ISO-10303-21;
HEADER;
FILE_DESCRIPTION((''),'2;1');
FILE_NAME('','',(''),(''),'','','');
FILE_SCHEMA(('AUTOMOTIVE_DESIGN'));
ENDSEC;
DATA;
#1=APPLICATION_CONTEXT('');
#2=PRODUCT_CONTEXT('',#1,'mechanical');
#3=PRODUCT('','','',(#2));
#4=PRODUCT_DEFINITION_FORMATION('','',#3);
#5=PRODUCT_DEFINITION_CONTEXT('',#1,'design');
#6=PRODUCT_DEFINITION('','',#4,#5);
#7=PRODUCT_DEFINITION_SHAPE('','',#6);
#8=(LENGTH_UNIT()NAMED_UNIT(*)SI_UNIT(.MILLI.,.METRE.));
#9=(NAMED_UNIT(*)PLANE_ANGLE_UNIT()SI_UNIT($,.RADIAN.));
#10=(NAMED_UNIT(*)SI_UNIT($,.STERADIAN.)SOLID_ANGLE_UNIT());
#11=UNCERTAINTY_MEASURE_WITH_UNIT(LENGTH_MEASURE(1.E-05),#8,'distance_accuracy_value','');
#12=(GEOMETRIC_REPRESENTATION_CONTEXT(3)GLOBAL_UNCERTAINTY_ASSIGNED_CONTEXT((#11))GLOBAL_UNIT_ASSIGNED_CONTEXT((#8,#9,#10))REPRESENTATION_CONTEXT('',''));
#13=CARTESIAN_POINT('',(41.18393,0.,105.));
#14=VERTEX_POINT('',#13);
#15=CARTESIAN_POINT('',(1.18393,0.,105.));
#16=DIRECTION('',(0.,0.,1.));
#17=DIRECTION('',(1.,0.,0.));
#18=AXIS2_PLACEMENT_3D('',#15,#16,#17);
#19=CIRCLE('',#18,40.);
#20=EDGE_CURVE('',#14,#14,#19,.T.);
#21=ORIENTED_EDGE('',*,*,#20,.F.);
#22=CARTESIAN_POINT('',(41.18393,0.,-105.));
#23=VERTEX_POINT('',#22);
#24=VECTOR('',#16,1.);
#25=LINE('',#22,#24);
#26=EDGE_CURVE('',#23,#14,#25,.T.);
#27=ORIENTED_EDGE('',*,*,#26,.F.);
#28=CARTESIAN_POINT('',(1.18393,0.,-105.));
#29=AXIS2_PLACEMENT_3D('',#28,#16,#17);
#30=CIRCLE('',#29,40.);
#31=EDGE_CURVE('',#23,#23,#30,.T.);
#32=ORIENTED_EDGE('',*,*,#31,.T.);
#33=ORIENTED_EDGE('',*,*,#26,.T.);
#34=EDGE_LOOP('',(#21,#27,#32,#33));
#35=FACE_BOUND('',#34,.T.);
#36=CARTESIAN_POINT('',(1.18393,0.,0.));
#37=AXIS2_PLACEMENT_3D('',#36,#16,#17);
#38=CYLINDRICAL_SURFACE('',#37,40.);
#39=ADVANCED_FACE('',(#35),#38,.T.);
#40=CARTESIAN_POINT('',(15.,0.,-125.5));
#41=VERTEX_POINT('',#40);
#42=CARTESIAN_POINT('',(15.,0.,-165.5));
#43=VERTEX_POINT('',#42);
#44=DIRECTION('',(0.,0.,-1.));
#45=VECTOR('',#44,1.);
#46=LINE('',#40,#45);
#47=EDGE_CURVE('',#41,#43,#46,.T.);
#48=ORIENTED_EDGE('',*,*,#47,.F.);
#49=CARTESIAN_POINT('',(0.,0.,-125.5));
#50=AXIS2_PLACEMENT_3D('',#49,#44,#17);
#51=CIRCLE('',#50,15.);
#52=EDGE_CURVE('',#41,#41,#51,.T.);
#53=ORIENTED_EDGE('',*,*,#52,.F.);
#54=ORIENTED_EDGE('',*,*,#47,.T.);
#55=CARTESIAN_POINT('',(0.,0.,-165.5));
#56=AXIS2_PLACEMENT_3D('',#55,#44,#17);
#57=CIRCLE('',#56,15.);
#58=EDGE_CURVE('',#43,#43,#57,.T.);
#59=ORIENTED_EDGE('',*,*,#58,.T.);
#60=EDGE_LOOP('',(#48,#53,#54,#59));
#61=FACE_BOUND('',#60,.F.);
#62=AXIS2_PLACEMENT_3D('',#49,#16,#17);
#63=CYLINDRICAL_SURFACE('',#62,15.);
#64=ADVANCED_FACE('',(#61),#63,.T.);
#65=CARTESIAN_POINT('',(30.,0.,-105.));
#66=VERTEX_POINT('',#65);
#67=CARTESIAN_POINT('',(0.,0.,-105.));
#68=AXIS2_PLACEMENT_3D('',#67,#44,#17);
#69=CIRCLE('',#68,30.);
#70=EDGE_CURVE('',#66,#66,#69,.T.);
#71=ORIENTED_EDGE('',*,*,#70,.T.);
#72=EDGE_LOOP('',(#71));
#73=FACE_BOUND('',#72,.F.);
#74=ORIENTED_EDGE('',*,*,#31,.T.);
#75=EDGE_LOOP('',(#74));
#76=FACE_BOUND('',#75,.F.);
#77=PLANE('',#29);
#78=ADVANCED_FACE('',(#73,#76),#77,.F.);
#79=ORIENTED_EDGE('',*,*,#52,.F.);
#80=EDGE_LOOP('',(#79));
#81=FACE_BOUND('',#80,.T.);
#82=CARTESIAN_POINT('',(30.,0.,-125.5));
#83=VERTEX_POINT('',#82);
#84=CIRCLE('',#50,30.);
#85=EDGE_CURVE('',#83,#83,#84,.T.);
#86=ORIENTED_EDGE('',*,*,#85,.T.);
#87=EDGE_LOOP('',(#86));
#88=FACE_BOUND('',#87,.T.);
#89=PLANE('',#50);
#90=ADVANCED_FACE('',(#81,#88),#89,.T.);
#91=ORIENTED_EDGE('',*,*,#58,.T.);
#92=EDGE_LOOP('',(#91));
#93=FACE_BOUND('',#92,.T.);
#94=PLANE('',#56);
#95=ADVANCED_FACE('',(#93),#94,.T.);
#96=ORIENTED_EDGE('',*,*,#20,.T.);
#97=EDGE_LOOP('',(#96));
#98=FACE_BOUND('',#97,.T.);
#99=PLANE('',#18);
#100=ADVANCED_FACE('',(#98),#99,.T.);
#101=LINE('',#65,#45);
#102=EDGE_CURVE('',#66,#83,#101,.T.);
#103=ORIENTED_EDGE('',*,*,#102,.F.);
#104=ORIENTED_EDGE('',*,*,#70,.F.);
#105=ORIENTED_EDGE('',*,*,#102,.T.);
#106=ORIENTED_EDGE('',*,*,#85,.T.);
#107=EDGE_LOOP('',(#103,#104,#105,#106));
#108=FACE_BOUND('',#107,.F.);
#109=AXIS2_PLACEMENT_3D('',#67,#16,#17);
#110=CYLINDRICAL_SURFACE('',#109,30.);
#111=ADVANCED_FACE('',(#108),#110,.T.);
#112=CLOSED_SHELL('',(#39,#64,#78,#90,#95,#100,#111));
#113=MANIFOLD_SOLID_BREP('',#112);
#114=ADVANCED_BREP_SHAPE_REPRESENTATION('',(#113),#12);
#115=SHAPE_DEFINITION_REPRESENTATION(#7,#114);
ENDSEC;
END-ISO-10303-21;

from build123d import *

# Parameters (mm, degrees)
F0_R     = 40
F1_DEPTH = 105
F2_R     = 30
F3_DEPTH = 20.5
F4_R     = 15
F5_DEPTH = 40


with BuildPart() as f1:
    # F0 (on Top) → F1 (new body, symmetric)
    with BuildSketch(Plane.XY):
        with Locations((1.18393, 0)):
            Circle(F0_R)
    extrude(amount=F1_DEPTH, both=True)

    # F2 (on face) → F3 (join)
    with BuildSketch(Plane(origin=(0, 0, -105), x_dir=(1, 0, 0), z_dir=(0, 0, -1))):
        Circle(F2_R)
    extrude(amount=F3_DEPTH)

    # F4 (on face) → F5 (join)
    with BuildSketch(Plane(origin=(0, 0, -125.5), x_dir=(1, 0, 0), z_dir=(0, 0, -1))):
        Circle(F4_R)
    extrude(amount=F5_DEPTH)


solid = f1.part
